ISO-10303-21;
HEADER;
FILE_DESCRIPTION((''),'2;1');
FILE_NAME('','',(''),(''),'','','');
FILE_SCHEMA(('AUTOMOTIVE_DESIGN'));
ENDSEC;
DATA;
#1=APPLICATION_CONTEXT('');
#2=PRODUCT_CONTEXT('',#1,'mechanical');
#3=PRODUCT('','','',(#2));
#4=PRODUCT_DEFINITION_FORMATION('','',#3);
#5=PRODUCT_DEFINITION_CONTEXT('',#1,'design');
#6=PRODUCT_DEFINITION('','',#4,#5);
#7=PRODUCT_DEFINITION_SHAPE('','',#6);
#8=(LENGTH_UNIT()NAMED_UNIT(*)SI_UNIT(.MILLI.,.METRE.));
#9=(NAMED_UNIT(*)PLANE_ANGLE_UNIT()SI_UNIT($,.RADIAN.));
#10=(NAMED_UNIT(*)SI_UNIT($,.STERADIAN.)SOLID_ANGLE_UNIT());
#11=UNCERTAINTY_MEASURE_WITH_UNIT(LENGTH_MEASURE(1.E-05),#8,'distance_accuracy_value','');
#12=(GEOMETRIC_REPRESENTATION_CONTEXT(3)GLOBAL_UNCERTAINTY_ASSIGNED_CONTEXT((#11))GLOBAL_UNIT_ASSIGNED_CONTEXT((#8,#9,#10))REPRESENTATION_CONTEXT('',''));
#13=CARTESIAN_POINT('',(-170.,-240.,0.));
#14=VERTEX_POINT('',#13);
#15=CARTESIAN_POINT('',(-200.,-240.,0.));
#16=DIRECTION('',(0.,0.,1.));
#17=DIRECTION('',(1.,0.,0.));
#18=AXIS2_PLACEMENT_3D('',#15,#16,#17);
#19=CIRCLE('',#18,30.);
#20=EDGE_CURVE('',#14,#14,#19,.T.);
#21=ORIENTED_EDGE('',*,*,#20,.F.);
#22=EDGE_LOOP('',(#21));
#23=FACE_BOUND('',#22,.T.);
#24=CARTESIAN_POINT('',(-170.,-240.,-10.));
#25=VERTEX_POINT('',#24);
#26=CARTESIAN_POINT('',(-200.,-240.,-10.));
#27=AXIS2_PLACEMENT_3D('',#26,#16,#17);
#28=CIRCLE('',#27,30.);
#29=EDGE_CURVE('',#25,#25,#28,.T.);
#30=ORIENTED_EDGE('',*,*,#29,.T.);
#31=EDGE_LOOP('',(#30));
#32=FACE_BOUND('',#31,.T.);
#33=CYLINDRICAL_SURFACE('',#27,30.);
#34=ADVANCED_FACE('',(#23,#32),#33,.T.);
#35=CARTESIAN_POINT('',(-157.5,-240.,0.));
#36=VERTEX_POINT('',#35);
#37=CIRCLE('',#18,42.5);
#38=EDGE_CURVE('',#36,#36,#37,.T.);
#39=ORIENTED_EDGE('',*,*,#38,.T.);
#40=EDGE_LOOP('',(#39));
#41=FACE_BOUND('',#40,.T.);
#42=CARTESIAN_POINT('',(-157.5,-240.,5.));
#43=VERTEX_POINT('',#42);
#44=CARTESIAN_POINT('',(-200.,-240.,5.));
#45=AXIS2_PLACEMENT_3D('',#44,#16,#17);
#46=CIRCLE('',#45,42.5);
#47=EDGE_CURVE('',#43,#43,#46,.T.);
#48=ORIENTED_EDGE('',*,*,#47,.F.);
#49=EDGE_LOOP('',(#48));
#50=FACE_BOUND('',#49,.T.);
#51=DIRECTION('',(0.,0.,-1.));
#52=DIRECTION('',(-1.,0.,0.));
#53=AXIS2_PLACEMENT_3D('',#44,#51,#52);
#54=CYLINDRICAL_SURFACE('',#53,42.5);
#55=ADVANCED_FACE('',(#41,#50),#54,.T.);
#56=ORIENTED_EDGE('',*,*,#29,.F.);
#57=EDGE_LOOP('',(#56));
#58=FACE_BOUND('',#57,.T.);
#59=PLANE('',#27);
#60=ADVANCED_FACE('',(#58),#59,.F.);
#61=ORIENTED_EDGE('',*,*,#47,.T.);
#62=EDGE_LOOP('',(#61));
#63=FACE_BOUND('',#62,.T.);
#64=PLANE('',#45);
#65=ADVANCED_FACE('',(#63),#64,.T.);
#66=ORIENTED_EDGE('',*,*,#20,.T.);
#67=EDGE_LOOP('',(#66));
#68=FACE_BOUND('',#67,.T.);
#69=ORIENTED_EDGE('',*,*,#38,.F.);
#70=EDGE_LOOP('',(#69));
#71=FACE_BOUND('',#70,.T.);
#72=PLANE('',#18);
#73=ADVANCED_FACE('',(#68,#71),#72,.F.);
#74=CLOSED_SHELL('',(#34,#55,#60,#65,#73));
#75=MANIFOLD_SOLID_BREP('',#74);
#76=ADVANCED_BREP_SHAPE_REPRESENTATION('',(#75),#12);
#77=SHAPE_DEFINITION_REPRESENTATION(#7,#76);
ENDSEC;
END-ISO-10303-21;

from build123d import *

# Parameters (mm, degrees)
ESBO_O1_R                = 30
RESSALTO_EXTRUS_O1_DEPTH = 10
ESBO_O2_R                = 42.5
RESSALTO_EXTRUS_O2_DEPTH = 5


with BuildPart() as part:
    # Esboço1 → Ressalto-extrusão1 (new body)
    with BuildSketch(Plane.XY):
        with Locations((-200, -240)):
            Circle(ESBO_O1_R)
    extrude(amount=-RESSALTO_EXTRUS_O1_DEPTH)

    # Esboço2 → Ressalto-extrusão2 (add)
    with BuildSketch(Plane.XY):
        with Locations((-200, -240)):
            Circle(ESBO_O2_R)
    extrude(amount=RESSALTO_EXTRUS_O2_DEPTH)


solid = part.part
